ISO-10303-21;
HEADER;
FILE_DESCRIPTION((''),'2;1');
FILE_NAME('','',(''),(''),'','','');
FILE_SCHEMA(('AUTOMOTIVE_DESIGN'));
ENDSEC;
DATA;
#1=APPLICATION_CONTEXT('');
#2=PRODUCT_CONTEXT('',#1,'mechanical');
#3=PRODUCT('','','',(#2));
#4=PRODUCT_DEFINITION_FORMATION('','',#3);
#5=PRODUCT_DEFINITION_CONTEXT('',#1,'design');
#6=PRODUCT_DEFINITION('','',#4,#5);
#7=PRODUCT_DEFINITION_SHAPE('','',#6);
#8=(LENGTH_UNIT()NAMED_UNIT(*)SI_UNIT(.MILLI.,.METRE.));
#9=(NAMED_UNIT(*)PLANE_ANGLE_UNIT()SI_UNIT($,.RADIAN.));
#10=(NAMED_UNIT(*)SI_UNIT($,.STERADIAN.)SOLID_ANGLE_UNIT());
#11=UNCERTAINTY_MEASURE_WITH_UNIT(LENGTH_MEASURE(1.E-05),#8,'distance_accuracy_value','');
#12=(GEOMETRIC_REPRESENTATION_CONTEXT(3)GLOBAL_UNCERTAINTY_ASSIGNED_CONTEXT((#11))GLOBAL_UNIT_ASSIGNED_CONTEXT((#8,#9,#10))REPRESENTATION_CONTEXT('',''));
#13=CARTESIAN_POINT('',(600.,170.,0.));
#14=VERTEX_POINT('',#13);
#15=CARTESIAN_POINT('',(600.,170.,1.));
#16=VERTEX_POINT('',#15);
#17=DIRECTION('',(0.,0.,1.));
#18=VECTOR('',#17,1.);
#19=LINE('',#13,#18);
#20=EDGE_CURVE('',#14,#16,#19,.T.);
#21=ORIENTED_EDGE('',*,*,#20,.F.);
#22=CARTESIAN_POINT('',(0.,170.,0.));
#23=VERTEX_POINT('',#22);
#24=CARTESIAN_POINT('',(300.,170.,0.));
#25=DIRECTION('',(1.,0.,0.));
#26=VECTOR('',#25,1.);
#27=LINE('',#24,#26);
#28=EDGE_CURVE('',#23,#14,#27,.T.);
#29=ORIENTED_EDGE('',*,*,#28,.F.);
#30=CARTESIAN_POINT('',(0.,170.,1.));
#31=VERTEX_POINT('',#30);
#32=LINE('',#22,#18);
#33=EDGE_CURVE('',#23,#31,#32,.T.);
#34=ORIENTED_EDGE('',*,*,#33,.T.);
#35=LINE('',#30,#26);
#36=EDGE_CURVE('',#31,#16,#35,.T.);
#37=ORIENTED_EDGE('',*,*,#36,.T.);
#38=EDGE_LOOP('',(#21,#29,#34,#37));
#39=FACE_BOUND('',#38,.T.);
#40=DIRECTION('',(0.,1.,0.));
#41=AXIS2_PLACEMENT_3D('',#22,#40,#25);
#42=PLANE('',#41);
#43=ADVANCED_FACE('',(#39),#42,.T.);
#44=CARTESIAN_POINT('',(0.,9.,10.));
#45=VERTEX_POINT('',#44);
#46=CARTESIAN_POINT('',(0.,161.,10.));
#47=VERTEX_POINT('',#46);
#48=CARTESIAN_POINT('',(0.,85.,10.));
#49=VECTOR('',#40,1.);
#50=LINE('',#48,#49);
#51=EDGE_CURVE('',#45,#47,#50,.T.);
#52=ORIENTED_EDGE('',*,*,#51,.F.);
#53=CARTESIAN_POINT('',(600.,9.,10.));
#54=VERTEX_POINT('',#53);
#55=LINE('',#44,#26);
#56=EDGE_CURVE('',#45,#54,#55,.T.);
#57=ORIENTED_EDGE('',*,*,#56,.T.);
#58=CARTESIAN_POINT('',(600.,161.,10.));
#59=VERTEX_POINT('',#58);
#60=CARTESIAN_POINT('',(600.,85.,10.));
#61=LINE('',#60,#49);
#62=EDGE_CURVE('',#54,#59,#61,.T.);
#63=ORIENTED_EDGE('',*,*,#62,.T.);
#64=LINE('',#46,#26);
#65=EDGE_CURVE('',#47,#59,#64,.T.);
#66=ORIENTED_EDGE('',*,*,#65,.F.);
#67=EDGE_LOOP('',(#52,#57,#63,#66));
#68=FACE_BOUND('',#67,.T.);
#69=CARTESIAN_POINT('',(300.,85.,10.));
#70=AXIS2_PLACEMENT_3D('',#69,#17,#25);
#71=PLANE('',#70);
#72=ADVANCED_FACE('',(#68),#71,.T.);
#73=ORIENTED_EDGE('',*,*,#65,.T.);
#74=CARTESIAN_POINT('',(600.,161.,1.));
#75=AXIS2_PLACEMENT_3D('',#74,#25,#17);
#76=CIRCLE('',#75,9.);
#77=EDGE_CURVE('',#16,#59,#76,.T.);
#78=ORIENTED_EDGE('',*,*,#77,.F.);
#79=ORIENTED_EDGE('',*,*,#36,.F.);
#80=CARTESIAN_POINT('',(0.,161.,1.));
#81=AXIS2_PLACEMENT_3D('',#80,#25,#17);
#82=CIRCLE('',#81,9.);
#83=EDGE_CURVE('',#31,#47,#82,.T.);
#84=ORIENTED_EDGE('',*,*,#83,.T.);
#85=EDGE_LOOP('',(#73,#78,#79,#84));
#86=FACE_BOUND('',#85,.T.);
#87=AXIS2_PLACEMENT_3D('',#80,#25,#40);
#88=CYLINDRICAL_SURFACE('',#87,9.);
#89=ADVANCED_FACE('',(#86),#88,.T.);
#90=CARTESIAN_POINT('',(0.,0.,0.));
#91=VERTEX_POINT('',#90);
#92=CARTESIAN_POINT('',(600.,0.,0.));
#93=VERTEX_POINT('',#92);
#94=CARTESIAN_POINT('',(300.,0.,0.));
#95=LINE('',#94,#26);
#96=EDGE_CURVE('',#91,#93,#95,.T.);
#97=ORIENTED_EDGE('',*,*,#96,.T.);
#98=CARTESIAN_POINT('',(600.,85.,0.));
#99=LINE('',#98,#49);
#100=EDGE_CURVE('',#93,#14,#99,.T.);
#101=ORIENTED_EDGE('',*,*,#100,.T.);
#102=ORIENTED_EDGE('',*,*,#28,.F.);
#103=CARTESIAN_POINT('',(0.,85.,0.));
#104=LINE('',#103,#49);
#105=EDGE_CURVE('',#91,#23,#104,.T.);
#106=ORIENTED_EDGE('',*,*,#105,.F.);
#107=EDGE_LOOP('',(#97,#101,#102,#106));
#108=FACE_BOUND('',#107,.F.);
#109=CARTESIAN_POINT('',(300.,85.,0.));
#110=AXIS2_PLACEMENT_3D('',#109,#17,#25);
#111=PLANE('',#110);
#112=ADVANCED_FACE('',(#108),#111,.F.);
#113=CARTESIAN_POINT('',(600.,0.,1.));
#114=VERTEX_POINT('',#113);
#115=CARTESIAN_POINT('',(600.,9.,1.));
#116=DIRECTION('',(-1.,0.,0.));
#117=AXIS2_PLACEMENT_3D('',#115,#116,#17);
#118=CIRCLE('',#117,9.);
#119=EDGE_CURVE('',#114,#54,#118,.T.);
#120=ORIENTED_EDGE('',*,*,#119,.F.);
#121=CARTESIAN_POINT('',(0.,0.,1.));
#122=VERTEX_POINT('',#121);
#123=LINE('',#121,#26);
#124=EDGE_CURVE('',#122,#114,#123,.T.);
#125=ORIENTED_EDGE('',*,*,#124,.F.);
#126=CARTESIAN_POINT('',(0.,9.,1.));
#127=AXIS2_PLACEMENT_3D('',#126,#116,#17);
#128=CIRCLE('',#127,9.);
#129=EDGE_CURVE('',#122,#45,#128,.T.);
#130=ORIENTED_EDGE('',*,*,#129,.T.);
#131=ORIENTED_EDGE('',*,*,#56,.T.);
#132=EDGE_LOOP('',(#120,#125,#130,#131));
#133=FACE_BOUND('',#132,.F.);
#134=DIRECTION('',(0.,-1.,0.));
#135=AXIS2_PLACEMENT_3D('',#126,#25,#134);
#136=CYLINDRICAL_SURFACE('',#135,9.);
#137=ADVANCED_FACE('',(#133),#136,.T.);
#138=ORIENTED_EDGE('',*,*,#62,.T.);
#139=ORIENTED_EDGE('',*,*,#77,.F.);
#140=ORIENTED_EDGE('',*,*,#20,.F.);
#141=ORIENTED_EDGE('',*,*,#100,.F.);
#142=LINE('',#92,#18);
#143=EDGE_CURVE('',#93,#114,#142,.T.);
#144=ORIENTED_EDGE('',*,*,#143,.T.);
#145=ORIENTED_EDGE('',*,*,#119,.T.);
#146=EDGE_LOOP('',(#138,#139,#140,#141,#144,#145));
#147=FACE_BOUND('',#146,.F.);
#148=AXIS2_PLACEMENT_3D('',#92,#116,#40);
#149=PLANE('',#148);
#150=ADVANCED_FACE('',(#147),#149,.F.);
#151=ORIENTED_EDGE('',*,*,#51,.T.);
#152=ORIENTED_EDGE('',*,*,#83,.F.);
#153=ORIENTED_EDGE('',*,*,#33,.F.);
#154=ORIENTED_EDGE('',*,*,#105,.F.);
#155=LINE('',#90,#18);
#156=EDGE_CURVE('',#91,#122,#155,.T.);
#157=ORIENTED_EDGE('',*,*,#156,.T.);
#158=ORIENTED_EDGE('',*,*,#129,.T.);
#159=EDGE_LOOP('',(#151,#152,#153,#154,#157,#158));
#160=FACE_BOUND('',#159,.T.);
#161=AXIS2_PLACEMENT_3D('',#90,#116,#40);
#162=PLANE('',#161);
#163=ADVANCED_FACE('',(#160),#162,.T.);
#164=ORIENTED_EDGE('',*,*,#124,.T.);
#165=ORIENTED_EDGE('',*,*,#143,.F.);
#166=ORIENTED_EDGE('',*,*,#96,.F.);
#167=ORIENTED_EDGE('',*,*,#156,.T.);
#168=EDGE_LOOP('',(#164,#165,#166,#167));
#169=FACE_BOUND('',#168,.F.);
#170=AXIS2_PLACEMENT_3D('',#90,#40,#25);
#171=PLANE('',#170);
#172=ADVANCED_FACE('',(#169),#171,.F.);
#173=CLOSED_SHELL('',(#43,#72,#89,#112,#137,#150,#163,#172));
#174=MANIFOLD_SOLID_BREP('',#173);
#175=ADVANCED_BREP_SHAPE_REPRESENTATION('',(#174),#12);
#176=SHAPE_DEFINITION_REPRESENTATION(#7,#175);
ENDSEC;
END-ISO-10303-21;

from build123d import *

# Parameters (mm, degrees)
SKETCH_W  = 600
SKETCH_H  = 170
PAD_DEPTH = 10
FILLET_R  = 9


with BuildPart() as part:
    # Sketch → Pad (new body)
    with BuildSketch(Plane.XY):
        with Locations((300, 85)):
            Rectangle(SKETCH_W, SKETCH_H)
    extrude(amount=PAD_DEPTH)

    # Fillet
    fillet_edges = [part.edges().sort_by_distance(p)[0] for p in [
        (300, 0, 10),
        (300, 170, 10),
    ]]
    fillet(fillet_edges, radius=FILLET_R)


solid = part.part
